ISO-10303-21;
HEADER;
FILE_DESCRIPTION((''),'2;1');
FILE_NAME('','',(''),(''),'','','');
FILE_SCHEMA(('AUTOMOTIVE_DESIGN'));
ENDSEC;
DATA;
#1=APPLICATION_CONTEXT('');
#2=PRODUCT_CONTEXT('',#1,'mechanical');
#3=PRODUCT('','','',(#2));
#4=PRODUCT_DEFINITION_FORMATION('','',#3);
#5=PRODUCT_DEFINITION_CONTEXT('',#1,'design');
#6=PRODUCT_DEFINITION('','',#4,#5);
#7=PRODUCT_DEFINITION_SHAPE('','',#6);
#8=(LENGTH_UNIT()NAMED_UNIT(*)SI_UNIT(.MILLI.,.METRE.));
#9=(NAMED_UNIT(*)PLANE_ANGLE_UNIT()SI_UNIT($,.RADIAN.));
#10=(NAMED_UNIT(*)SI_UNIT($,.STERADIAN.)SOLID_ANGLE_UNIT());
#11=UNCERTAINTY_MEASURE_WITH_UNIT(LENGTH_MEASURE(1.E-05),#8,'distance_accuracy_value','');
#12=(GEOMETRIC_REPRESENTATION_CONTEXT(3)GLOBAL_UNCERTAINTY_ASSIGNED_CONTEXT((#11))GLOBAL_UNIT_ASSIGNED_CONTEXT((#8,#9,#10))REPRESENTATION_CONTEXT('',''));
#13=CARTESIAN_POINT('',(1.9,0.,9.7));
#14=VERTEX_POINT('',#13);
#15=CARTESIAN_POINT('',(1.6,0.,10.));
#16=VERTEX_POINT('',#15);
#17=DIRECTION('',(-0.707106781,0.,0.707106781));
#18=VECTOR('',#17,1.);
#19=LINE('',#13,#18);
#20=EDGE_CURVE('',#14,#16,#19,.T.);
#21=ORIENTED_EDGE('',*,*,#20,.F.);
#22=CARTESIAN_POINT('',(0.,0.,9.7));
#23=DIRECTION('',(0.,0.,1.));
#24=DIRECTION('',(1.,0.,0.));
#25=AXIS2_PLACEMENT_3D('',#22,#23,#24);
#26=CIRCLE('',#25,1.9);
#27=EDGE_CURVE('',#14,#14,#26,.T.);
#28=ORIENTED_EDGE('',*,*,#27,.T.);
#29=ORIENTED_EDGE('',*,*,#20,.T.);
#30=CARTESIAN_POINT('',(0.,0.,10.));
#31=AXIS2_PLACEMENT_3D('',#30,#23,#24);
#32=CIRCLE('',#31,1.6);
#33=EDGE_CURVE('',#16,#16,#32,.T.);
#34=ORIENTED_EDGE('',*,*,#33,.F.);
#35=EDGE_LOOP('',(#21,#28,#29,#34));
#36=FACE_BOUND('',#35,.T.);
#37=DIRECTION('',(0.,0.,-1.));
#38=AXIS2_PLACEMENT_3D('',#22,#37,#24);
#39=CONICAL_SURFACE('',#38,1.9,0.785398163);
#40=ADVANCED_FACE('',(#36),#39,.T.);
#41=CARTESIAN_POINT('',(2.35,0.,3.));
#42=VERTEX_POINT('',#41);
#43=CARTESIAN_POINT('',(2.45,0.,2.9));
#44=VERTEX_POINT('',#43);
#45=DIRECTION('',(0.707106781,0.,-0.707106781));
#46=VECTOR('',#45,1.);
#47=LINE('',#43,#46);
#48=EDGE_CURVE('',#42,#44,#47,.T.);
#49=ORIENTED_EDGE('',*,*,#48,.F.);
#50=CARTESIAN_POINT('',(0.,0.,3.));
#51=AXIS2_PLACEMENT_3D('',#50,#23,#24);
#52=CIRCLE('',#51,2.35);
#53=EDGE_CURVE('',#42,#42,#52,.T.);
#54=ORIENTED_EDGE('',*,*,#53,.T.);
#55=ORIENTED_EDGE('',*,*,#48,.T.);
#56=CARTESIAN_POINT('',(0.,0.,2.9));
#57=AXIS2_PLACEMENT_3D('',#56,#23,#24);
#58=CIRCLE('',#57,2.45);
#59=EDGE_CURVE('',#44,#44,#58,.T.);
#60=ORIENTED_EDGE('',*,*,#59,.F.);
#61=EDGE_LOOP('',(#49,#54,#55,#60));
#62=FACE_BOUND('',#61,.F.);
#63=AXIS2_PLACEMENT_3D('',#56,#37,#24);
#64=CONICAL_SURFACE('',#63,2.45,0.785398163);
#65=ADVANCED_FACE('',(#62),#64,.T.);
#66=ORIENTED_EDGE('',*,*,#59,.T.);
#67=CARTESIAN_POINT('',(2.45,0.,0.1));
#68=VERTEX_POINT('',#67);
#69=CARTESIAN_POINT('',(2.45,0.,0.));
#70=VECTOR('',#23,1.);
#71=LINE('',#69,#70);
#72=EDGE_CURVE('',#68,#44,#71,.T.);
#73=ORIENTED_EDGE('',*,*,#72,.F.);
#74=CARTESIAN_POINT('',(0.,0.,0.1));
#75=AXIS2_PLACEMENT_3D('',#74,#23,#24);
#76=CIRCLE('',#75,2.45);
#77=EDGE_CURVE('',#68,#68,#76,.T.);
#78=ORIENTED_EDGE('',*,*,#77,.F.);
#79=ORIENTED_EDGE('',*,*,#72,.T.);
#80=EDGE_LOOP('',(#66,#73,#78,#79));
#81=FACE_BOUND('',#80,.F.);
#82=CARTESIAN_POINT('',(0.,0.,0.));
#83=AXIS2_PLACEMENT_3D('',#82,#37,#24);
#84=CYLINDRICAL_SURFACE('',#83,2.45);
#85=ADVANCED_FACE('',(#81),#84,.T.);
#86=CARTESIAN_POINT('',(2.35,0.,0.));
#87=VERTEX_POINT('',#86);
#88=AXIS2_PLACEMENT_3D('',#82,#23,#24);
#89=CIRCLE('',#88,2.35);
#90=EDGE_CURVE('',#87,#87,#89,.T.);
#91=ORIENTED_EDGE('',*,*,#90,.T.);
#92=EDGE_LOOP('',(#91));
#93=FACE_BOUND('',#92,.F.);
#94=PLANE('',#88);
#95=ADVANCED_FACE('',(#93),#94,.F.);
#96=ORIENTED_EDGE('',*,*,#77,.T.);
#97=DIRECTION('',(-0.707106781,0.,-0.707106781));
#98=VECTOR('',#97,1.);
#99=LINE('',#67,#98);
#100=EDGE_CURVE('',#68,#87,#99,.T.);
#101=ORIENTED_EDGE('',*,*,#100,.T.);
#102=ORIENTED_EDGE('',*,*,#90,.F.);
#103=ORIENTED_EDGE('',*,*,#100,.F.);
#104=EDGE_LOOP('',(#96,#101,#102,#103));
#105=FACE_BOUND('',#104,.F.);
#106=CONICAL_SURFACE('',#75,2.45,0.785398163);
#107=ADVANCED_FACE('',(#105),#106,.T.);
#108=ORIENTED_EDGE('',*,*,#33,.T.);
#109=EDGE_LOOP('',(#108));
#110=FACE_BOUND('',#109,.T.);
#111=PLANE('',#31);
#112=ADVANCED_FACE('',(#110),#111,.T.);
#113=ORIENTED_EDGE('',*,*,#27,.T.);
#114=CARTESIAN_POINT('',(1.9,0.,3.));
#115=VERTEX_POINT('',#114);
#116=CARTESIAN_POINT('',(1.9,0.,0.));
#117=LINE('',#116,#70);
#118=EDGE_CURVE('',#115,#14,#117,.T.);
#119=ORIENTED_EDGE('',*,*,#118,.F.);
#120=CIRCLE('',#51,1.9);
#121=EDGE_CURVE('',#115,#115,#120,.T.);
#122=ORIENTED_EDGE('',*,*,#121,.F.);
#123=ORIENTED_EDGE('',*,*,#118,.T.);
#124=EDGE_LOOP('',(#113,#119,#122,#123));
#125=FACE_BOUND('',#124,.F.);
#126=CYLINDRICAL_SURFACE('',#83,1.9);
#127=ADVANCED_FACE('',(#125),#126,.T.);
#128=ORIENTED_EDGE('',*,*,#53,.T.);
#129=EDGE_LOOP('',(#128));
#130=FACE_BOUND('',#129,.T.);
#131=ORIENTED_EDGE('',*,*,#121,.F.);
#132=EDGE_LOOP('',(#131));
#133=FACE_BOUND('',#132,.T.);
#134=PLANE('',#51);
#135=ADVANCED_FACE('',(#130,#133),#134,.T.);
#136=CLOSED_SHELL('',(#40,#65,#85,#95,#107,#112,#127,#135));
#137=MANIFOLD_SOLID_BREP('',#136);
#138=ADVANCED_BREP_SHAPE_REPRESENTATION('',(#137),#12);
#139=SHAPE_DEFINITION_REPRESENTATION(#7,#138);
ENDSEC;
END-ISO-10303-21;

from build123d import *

# Parameters (mm, degrees)
F0_R     = 1.9
F1_DEPTH = 10
F0_R_2   = 2.45
F2_DEPTH = 3
F3_SIZE  = 0.3
F4_SIZE  = 0.1


with BuildPart() as f1:
    # F0 (on Top) → F1 (new body)
    with BuildSketch(Plane.XY):
        Circle(F0_R)
    extrude(amount=F1_DEPTH)

    # F0 (on Top) → F2 (join)
    with BuildSketch(Plane.XY):
        Circle(F0_R_2)
        Circle(F0_R, mode=Mode.SUBTRACT)
    extrude(amount=F2_DEPTH)

    # F3
    f3_edges = [f1.edges().sort_by_distance(p)[0] for p in [
        (-1.9, 0, 10),
    ]]
    chamfer(f3_edges, length=F3_SIZE)

    # F4
    f4_edges = [f1.edges().sort_by_distance(p)[0] for p in [
        (-2.45, 0, 0),
        (-2.45, 0, 3),
    ]]
    chamfer(f4_edges, length=F4_SIZE)


solid = f1.part
